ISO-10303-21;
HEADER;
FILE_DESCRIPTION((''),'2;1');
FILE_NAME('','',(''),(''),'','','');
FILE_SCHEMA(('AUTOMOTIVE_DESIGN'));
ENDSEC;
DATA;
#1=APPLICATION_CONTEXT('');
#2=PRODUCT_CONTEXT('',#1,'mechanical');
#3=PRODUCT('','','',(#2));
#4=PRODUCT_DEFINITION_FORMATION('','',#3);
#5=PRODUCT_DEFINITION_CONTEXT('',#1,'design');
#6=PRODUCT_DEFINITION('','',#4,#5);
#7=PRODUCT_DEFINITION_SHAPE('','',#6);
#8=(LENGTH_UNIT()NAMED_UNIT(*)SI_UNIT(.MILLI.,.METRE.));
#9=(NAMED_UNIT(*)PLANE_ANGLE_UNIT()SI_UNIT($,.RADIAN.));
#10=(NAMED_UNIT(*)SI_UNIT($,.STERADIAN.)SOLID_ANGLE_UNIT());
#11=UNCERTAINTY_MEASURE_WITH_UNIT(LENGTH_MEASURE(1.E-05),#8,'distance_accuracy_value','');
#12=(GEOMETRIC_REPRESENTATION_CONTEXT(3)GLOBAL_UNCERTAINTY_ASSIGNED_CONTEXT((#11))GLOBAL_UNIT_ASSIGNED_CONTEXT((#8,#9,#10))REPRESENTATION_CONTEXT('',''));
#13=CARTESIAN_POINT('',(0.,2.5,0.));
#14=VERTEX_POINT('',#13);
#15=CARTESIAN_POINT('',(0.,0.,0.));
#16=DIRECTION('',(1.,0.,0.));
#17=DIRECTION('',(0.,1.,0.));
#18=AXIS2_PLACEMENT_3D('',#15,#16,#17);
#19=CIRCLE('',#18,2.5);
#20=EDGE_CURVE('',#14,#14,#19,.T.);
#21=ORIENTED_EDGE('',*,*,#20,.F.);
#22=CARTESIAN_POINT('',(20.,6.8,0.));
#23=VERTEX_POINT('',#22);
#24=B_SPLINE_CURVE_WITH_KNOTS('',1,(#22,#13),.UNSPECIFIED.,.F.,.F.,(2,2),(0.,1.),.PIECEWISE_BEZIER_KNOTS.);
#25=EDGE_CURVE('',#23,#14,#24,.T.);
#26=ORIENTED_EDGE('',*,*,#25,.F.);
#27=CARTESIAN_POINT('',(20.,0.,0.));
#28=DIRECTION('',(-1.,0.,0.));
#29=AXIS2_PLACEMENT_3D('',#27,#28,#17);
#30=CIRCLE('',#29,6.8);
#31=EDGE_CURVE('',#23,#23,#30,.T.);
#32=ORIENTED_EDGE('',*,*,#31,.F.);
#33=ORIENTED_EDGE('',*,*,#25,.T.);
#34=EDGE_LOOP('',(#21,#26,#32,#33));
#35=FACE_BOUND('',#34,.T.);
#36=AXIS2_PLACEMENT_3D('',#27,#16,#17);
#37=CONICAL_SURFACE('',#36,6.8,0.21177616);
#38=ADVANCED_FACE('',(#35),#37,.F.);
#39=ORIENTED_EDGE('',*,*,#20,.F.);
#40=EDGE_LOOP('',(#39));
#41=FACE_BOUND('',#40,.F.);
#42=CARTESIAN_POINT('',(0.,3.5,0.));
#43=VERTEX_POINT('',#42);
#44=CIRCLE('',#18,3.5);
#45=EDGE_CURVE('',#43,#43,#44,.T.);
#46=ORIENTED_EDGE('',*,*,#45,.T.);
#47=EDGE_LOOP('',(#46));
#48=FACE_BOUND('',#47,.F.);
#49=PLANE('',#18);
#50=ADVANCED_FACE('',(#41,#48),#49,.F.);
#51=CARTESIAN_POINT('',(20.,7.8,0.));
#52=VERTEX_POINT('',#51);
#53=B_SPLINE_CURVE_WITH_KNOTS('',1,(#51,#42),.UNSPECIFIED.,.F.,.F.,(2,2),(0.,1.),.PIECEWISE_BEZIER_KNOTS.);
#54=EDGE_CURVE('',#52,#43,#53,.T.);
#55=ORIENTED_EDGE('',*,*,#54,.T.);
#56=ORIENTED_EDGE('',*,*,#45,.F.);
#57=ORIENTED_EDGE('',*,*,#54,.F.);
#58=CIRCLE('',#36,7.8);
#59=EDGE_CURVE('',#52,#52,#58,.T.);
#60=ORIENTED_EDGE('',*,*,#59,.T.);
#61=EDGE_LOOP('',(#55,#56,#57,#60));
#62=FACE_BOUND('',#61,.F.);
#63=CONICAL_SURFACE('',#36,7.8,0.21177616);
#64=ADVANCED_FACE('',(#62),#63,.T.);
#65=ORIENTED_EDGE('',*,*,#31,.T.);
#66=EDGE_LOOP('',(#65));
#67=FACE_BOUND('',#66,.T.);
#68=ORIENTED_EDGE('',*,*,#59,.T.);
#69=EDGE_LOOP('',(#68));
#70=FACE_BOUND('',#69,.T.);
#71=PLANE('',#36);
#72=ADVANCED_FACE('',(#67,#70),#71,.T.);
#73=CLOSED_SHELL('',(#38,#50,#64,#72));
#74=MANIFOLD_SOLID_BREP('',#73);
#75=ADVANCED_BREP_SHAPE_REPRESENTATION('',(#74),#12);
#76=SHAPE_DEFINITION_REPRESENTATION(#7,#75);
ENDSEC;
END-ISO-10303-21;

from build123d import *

# Parameters (mm, degrees)
F2_R = 7.8
F1_R = 3.5
F5_R = 6.8
F4_R = 2.5


with BuildPart() as f3:
    # F2 (on offset) → F3 section 0
    with BuildSketch(Plane.YZ.offset(20)):
        Circle(F2_R)
    # F1 (on Right) → F3 section 1
    with BuildSketch(Plane.YZ):
        Circle(F1_R)
    loft()

    # F5 (on face) → F6 section 0
    with BuildSketch(Plane.YZ.offset(20)):
        Circle(F5_R)
    # F4 (on face) → F6 section 1
    with BuildSketch(Plane(origin=(0, 0, 0), x_dir=(0, -1, 0), z_dir=(-1, 0, 0))):
        Circle(F4_R)
    loft(mode=Mode.SUBTRACT)


solid = f3.part
